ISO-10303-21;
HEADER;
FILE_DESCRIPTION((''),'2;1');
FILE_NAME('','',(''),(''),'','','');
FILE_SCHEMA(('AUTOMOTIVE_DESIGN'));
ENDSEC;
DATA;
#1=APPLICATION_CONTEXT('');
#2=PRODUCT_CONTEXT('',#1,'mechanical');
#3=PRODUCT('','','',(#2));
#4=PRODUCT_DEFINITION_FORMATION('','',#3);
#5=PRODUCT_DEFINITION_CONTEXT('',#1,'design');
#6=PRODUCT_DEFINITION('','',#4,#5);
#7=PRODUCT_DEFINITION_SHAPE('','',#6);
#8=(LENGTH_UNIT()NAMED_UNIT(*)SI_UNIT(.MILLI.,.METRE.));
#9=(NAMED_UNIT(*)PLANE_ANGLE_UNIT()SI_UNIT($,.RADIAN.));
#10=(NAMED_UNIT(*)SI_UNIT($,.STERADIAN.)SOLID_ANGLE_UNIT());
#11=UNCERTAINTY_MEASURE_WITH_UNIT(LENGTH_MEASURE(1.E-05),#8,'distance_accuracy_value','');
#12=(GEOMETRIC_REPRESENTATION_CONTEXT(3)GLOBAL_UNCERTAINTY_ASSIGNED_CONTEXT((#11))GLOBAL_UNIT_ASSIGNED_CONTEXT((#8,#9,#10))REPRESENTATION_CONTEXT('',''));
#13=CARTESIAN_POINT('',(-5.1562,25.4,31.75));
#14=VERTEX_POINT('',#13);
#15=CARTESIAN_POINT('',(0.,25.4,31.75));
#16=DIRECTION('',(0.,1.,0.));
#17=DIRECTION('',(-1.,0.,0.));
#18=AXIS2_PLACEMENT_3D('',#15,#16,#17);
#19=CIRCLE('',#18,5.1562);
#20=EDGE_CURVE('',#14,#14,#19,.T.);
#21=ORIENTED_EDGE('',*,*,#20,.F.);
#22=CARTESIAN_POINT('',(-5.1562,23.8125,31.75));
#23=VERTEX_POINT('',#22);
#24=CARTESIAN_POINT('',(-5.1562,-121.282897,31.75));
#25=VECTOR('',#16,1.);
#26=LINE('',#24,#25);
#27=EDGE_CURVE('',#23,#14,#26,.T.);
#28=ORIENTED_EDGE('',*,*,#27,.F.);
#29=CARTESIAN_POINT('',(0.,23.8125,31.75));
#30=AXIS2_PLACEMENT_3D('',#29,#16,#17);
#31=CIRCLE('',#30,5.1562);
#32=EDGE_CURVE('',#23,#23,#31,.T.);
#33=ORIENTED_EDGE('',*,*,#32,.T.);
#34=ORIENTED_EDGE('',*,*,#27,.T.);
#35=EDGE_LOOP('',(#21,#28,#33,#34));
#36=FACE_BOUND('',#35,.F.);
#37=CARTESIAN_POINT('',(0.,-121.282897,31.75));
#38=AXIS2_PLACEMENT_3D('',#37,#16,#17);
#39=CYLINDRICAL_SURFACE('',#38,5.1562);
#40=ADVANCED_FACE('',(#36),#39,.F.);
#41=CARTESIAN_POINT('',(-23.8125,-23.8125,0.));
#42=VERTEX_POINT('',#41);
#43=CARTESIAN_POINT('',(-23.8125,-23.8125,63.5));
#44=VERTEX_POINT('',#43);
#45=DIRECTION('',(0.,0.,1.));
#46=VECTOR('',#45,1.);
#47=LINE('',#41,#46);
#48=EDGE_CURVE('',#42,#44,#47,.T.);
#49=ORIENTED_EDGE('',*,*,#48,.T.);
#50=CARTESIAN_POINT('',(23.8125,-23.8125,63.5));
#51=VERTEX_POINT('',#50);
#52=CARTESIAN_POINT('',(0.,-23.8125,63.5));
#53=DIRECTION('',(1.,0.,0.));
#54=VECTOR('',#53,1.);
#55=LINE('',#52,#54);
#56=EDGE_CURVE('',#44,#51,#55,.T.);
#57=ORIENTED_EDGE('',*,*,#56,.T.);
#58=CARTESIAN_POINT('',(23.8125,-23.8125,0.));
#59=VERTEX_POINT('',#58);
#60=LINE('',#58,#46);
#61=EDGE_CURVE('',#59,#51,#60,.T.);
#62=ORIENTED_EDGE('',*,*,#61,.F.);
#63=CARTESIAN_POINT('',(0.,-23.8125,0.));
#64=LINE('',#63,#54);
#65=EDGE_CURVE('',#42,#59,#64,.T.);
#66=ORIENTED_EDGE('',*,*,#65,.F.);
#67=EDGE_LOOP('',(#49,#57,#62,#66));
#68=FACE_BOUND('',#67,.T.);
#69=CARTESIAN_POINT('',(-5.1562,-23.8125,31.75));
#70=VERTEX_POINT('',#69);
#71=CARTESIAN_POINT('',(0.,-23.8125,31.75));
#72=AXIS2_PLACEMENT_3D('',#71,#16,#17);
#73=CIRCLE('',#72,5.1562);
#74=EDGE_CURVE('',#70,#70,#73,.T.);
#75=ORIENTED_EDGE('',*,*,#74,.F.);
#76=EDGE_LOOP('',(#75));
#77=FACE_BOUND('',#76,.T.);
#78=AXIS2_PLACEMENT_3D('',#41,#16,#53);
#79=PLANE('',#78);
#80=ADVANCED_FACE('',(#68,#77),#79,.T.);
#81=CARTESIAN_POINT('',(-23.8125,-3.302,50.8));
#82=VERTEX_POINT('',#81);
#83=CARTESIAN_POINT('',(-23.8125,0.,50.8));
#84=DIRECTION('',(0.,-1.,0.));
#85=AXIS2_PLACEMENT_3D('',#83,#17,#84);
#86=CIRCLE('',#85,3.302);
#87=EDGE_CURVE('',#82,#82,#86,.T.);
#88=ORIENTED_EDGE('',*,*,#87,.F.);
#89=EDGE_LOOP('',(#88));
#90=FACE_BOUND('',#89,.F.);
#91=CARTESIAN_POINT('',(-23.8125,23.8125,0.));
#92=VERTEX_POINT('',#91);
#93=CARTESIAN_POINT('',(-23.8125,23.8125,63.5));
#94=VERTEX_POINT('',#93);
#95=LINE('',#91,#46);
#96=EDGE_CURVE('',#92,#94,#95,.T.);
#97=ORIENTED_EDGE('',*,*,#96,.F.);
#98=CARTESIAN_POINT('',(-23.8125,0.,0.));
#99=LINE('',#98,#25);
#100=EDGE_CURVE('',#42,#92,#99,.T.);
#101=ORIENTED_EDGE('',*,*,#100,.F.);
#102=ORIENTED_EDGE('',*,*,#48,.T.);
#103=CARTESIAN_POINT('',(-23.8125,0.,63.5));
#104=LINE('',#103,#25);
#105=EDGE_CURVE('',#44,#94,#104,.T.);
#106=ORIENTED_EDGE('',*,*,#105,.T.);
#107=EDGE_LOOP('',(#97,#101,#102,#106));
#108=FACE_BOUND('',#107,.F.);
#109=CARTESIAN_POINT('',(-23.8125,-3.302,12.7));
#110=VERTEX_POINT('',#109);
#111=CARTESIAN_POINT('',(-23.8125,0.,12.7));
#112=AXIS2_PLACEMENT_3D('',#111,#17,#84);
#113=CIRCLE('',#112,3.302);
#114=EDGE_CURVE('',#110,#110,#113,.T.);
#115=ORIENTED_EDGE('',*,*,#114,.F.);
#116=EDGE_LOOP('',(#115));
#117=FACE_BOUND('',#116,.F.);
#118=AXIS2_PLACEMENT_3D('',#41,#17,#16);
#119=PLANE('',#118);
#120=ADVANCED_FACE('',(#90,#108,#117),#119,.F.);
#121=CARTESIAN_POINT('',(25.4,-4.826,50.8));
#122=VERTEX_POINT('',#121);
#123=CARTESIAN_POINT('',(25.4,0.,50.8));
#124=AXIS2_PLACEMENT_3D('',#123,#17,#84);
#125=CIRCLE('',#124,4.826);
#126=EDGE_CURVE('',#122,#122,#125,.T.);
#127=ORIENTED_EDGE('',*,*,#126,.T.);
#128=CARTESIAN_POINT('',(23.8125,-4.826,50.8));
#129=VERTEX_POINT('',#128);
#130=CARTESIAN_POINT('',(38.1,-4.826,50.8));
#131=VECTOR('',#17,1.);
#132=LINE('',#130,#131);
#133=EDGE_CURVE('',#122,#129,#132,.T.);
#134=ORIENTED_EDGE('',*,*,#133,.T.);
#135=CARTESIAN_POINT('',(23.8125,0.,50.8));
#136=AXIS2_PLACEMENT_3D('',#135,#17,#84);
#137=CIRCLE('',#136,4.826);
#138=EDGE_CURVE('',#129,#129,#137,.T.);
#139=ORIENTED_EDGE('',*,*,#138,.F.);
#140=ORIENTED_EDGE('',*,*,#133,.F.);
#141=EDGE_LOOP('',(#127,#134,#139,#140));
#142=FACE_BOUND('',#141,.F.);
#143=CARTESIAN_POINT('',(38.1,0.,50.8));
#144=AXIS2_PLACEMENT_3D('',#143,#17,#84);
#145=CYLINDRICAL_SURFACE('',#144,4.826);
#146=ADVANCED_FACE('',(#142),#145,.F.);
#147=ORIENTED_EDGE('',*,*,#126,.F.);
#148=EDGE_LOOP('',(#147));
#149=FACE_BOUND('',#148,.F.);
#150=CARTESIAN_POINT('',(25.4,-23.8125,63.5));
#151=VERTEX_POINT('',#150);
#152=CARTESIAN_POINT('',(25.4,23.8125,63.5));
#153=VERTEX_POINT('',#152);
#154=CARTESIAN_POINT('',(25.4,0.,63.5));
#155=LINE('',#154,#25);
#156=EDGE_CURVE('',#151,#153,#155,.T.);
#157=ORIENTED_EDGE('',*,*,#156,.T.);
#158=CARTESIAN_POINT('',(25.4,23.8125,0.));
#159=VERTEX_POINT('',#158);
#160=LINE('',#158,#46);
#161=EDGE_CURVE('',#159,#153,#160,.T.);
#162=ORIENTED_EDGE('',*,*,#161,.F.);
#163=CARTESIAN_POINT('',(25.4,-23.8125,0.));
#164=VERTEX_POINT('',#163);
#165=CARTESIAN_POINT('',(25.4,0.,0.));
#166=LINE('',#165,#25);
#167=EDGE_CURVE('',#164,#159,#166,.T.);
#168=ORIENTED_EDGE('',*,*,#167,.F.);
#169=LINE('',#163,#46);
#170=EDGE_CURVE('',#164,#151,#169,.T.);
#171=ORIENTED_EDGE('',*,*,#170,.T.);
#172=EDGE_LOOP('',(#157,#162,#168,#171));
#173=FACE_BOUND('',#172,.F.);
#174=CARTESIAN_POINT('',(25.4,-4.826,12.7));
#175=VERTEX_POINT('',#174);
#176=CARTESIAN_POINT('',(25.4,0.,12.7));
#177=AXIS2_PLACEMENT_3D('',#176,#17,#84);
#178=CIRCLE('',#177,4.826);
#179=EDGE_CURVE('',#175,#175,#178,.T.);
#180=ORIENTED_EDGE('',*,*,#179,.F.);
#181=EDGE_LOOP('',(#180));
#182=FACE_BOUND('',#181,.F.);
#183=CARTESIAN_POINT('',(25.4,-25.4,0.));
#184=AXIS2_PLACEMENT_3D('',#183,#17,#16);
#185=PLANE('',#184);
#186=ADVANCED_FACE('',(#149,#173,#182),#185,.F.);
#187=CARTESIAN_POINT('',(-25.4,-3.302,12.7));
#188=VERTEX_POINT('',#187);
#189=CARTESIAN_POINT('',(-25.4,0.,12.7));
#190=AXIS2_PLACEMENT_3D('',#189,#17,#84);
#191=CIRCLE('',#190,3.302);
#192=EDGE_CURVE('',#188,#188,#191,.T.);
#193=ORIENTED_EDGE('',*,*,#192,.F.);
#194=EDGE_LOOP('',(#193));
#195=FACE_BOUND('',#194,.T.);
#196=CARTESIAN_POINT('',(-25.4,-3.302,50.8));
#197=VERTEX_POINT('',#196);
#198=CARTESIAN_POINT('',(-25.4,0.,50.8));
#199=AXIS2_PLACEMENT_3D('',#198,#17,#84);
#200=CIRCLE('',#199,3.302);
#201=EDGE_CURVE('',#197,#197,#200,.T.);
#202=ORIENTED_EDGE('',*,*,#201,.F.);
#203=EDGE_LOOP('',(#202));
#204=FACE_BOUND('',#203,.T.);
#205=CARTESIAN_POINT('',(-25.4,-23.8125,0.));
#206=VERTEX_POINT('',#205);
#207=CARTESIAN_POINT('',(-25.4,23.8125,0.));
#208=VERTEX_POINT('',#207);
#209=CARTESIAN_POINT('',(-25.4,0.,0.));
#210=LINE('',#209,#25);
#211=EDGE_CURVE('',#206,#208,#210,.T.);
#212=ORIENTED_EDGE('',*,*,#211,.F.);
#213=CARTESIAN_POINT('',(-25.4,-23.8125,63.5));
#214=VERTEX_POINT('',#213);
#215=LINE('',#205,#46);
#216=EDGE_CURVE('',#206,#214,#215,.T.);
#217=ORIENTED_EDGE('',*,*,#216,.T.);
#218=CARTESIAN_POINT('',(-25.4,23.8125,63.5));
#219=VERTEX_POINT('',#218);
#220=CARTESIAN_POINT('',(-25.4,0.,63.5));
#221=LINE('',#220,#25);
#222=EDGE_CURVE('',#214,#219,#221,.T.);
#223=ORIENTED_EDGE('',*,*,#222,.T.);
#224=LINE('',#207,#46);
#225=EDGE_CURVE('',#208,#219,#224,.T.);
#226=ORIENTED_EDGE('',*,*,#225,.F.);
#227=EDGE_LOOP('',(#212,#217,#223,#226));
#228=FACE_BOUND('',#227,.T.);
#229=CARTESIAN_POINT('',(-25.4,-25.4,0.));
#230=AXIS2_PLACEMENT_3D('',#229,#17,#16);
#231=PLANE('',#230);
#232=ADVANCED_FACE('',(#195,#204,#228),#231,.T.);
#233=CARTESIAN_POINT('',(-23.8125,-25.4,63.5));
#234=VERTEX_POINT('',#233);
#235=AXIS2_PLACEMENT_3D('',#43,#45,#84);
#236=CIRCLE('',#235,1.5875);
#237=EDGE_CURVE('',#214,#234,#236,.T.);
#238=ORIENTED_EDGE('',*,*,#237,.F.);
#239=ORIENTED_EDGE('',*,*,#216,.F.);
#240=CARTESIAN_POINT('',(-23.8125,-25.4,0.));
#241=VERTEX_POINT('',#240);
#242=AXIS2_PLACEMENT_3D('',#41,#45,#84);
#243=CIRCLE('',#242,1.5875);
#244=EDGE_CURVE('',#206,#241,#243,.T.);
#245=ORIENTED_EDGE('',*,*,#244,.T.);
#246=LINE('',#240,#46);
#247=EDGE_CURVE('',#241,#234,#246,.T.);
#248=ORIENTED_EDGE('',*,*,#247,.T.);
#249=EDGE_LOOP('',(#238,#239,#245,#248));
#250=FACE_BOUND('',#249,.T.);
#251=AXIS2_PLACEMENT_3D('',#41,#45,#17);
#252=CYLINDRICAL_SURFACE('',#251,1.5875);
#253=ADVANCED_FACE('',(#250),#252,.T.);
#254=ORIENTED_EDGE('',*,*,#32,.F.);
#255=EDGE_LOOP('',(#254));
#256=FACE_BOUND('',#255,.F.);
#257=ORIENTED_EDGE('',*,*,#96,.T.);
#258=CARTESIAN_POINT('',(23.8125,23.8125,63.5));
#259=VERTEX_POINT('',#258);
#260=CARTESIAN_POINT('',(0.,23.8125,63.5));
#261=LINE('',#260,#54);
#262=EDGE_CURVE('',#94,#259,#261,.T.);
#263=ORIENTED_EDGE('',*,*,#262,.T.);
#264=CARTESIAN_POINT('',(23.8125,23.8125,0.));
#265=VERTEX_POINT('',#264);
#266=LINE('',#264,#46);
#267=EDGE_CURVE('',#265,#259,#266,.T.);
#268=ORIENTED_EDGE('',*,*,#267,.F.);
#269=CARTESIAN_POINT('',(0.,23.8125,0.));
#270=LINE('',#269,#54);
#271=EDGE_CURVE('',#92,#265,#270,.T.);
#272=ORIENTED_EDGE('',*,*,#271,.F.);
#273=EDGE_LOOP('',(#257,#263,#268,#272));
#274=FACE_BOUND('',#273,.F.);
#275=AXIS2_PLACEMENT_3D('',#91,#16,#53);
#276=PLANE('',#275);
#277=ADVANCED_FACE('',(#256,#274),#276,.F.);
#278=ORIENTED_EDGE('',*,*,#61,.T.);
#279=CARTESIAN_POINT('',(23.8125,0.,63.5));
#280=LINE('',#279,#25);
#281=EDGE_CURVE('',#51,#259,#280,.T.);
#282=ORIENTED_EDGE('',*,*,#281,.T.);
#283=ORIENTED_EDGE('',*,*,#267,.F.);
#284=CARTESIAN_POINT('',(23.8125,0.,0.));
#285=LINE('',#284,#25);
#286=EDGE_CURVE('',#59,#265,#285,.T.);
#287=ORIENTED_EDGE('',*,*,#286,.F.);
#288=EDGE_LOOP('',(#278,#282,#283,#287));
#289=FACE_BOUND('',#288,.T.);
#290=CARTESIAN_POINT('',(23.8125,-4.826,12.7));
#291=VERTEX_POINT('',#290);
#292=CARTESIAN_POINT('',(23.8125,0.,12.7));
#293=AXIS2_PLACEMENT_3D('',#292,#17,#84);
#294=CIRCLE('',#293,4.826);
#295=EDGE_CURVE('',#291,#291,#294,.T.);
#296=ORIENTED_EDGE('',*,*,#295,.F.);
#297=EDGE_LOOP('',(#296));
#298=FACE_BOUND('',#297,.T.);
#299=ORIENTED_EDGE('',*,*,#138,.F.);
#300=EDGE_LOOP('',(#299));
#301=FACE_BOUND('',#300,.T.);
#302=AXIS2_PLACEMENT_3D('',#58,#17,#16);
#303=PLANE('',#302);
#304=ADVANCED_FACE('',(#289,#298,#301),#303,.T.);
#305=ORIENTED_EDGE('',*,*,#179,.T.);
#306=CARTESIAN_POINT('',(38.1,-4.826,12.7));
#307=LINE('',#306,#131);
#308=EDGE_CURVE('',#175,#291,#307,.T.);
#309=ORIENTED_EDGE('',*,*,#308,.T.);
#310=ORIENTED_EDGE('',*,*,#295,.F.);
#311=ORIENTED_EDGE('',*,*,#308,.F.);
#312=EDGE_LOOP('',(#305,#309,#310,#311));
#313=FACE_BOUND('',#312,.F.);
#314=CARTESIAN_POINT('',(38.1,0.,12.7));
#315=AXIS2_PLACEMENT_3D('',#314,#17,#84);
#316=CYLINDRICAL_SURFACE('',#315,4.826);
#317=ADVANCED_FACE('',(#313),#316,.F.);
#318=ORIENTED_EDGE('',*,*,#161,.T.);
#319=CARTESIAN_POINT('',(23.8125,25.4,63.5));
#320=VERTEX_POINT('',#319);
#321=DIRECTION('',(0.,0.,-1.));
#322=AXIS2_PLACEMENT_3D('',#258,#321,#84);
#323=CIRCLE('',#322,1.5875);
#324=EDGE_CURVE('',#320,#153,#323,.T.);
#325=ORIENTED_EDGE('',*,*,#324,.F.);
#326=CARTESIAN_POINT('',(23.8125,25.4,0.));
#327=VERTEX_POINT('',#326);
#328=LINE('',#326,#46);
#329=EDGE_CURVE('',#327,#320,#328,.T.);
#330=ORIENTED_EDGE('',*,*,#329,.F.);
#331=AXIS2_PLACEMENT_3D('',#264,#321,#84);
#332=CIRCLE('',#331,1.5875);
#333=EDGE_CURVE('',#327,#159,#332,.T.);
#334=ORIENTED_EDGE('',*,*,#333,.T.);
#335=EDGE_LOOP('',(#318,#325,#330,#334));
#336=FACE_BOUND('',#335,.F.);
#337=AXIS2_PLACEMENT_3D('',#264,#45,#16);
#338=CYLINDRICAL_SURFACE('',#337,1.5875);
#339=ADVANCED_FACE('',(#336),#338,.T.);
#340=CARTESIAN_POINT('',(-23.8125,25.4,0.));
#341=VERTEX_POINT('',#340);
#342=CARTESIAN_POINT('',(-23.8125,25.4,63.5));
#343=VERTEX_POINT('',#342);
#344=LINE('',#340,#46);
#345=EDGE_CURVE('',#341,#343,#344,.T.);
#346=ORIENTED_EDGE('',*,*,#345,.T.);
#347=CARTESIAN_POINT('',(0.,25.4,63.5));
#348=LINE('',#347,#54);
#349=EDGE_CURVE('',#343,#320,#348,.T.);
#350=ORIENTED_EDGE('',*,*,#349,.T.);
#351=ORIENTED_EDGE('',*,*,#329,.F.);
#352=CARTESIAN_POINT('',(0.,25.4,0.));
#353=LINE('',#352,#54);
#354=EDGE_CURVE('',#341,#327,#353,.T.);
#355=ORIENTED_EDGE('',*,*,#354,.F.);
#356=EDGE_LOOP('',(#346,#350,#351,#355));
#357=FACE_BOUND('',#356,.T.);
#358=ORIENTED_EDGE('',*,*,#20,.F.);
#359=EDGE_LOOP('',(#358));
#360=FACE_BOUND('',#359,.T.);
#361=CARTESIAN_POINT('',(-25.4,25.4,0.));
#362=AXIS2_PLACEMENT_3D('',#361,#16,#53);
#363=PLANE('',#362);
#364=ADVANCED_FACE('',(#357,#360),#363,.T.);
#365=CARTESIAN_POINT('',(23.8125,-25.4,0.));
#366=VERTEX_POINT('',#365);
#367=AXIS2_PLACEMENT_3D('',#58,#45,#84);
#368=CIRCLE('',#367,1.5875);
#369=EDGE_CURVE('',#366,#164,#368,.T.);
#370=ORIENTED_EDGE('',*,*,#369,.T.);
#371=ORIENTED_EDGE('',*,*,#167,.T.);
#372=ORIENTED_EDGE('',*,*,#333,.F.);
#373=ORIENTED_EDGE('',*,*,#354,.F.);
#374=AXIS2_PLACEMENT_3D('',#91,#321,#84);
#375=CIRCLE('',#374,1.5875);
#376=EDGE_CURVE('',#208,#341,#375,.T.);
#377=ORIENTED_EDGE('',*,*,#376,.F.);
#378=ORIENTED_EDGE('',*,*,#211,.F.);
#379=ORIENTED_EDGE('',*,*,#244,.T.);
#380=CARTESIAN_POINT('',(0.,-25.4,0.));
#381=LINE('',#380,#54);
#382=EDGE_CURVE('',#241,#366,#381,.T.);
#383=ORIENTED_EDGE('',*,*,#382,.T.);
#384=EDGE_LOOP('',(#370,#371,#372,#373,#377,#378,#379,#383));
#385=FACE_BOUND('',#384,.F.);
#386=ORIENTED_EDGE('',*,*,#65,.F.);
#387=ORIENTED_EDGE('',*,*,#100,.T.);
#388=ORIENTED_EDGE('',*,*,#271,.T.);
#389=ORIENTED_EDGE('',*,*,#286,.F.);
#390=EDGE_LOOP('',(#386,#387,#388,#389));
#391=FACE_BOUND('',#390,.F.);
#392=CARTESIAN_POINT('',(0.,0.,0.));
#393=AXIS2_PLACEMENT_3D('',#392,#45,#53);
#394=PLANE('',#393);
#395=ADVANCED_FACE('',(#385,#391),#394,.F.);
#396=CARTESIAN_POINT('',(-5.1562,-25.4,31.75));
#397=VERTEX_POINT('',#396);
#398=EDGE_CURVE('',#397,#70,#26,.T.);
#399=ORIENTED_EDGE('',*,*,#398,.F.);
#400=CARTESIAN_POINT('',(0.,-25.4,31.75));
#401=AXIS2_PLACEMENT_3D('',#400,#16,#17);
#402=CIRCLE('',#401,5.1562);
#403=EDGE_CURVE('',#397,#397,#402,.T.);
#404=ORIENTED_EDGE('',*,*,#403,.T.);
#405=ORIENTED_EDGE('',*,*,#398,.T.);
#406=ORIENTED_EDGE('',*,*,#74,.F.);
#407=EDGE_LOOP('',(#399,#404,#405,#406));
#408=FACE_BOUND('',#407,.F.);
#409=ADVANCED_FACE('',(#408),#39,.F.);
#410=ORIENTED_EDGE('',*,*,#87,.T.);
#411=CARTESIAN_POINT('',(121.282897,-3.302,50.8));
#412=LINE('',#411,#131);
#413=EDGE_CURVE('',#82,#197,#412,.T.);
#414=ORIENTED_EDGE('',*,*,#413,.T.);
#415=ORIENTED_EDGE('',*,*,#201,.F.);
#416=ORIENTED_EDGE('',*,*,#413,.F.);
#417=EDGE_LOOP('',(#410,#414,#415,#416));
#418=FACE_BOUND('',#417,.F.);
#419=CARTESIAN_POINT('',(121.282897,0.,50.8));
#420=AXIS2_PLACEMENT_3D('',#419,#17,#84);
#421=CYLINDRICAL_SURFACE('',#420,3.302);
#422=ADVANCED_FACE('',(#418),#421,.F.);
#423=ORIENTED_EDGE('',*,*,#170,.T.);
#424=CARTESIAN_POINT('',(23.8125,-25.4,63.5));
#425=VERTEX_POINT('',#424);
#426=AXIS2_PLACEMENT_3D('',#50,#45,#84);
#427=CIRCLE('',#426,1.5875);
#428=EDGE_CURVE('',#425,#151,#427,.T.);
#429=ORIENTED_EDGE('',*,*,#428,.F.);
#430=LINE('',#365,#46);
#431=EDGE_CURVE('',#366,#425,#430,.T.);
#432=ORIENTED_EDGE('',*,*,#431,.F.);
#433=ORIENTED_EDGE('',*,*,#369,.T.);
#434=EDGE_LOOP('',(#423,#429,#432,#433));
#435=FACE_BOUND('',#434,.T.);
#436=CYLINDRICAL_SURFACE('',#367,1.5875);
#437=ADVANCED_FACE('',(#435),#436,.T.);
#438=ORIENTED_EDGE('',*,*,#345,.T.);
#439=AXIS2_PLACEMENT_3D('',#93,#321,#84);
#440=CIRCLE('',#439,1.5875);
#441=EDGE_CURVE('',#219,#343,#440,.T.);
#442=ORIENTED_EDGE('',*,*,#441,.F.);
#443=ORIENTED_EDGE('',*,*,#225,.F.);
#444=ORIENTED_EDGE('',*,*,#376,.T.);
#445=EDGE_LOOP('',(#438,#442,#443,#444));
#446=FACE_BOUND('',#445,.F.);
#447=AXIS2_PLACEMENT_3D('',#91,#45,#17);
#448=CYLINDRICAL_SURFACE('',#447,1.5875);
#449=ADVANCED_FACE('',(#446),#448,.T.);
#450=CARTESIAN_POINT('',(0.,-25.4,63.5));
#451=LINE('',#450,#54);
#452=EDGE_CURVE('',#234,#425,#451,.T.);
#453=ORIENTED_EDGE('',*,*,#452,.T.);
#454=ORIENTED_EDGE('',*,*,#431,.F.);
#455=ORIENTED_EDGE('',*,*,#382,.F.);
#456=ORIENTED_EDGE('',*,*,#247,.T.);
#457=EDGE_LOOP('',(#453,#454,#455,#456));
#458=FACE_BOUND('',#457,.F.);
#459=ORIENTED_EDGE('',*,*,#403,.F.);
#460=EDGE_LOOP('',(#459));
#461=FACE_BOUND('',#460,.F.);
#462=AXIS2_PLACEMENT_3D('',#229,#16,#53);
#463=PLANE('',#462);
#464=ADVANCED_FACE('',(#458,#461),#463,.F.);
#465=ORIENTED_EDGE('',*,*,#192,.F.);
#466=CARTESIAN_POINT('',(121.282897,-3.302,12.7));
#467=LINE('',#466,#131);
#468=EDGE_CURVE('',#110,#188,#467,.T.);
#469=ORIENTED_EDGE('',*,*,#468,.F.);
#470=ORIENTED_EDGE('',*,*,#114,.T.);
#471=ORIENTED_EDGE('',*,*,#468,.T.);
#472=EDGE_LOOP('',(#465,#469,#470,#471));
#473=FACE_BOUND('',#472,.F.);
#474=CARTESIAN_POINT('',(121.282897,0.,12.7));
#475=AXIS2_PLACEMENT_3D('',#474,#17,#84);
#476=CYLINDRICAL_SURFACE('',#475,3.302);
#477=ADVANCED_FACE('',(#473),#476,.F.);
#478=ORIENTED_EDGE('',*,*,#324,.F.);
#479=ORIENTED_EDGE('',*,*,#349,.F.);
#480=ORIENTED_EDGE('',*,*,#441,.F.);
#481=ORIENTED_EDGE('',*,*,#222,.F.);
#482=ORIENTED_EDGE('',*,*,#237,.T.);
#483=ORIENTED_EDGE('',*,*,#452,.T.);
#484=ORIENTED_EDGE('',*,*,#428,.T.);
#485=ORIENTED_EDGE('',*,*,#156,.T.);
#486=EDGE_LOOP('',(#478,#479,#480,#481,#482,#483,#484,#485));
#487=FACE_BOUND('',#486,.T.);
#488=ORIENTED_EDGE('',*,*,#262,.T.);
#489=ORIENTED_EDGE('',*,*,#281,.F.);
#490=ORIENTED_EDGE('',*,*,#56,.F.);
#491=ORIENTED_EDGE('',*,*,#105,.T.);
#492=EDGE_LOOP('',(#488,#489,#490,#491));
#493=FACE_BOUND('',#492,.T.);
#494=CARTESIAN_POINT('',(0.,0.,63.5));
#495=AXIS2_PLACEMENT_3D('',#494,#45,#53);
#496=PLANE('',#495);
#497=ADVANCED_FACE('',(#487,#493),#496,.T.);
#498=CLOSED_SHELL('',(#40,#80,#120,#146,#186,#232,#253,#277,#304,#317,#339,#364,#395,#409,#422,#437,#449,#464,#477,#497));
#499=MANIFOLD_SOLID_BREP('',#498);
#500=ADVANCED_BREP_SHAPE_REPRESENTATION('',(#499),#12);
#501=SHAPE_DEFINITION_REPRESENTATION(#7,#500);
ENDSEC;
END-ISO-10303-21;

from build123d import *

# Parameters (mm, degrees)
F0_W     = 50.8
F0_H     = 50.8
F0_W_2   = 47.625
F0_H_2   = 47.625
F1_DEPTH = 63.5
F2_R     = 1.5875
F4_D     = 6.604
F6_D     = 9.652
F6_DEPTH = 12.7
F6_TIP   = 2.8997533474
F8_D     = 10.3124


with BuildPart() as f1:
    # F0 (on Top) → F1 (new body)
    with BuildSketch(Plane.XY):
        Rectangle(F0_W, F0_H)
        Rectangle(F0_W_2, F0_H_2, mode=Mode.SUBTRACT)
    extrude(amount=F1_DEPTH)

    # F2
    f2_edges = [f1.edges().sort_by_distance(p)[0] for p in [
        (25.4, -25.4, 31.75),
        (25.4, 25.4, 31.75),
        (-25.4, -25.4, 31.75),
        (-25.4, 25.4, 31.75),
    ]]
    fillet(f2_edges, radius=F2_R)

    # F4 (through all)
    with Locations(Plane.YZ.offset(25.4)):
        with Locations((0, 12.7), (0, 50.8)):
            Hole(F4_D / 2)

    # F6
    with Locations(Plane.YZ.offset(25.4)):
        with Locations((0, 50.8), (0, 12.7)):
            Hole(F6_D / 2, depth=F6_DEPTH)
            with Locations((0, 0, -(F6_DEPTH + F6_TIP / 2))):  # 118° drill point
                Cone(0, F6_D / 2, F6_TIP, mode=Mode.SUBTRACT)

    # F8 (through all)
    with Locations(Plane.XZ.offset(25.4)):
        with Locations((0, 31.75)):
            Hole(F8_D / 2)


solid = f1.part
